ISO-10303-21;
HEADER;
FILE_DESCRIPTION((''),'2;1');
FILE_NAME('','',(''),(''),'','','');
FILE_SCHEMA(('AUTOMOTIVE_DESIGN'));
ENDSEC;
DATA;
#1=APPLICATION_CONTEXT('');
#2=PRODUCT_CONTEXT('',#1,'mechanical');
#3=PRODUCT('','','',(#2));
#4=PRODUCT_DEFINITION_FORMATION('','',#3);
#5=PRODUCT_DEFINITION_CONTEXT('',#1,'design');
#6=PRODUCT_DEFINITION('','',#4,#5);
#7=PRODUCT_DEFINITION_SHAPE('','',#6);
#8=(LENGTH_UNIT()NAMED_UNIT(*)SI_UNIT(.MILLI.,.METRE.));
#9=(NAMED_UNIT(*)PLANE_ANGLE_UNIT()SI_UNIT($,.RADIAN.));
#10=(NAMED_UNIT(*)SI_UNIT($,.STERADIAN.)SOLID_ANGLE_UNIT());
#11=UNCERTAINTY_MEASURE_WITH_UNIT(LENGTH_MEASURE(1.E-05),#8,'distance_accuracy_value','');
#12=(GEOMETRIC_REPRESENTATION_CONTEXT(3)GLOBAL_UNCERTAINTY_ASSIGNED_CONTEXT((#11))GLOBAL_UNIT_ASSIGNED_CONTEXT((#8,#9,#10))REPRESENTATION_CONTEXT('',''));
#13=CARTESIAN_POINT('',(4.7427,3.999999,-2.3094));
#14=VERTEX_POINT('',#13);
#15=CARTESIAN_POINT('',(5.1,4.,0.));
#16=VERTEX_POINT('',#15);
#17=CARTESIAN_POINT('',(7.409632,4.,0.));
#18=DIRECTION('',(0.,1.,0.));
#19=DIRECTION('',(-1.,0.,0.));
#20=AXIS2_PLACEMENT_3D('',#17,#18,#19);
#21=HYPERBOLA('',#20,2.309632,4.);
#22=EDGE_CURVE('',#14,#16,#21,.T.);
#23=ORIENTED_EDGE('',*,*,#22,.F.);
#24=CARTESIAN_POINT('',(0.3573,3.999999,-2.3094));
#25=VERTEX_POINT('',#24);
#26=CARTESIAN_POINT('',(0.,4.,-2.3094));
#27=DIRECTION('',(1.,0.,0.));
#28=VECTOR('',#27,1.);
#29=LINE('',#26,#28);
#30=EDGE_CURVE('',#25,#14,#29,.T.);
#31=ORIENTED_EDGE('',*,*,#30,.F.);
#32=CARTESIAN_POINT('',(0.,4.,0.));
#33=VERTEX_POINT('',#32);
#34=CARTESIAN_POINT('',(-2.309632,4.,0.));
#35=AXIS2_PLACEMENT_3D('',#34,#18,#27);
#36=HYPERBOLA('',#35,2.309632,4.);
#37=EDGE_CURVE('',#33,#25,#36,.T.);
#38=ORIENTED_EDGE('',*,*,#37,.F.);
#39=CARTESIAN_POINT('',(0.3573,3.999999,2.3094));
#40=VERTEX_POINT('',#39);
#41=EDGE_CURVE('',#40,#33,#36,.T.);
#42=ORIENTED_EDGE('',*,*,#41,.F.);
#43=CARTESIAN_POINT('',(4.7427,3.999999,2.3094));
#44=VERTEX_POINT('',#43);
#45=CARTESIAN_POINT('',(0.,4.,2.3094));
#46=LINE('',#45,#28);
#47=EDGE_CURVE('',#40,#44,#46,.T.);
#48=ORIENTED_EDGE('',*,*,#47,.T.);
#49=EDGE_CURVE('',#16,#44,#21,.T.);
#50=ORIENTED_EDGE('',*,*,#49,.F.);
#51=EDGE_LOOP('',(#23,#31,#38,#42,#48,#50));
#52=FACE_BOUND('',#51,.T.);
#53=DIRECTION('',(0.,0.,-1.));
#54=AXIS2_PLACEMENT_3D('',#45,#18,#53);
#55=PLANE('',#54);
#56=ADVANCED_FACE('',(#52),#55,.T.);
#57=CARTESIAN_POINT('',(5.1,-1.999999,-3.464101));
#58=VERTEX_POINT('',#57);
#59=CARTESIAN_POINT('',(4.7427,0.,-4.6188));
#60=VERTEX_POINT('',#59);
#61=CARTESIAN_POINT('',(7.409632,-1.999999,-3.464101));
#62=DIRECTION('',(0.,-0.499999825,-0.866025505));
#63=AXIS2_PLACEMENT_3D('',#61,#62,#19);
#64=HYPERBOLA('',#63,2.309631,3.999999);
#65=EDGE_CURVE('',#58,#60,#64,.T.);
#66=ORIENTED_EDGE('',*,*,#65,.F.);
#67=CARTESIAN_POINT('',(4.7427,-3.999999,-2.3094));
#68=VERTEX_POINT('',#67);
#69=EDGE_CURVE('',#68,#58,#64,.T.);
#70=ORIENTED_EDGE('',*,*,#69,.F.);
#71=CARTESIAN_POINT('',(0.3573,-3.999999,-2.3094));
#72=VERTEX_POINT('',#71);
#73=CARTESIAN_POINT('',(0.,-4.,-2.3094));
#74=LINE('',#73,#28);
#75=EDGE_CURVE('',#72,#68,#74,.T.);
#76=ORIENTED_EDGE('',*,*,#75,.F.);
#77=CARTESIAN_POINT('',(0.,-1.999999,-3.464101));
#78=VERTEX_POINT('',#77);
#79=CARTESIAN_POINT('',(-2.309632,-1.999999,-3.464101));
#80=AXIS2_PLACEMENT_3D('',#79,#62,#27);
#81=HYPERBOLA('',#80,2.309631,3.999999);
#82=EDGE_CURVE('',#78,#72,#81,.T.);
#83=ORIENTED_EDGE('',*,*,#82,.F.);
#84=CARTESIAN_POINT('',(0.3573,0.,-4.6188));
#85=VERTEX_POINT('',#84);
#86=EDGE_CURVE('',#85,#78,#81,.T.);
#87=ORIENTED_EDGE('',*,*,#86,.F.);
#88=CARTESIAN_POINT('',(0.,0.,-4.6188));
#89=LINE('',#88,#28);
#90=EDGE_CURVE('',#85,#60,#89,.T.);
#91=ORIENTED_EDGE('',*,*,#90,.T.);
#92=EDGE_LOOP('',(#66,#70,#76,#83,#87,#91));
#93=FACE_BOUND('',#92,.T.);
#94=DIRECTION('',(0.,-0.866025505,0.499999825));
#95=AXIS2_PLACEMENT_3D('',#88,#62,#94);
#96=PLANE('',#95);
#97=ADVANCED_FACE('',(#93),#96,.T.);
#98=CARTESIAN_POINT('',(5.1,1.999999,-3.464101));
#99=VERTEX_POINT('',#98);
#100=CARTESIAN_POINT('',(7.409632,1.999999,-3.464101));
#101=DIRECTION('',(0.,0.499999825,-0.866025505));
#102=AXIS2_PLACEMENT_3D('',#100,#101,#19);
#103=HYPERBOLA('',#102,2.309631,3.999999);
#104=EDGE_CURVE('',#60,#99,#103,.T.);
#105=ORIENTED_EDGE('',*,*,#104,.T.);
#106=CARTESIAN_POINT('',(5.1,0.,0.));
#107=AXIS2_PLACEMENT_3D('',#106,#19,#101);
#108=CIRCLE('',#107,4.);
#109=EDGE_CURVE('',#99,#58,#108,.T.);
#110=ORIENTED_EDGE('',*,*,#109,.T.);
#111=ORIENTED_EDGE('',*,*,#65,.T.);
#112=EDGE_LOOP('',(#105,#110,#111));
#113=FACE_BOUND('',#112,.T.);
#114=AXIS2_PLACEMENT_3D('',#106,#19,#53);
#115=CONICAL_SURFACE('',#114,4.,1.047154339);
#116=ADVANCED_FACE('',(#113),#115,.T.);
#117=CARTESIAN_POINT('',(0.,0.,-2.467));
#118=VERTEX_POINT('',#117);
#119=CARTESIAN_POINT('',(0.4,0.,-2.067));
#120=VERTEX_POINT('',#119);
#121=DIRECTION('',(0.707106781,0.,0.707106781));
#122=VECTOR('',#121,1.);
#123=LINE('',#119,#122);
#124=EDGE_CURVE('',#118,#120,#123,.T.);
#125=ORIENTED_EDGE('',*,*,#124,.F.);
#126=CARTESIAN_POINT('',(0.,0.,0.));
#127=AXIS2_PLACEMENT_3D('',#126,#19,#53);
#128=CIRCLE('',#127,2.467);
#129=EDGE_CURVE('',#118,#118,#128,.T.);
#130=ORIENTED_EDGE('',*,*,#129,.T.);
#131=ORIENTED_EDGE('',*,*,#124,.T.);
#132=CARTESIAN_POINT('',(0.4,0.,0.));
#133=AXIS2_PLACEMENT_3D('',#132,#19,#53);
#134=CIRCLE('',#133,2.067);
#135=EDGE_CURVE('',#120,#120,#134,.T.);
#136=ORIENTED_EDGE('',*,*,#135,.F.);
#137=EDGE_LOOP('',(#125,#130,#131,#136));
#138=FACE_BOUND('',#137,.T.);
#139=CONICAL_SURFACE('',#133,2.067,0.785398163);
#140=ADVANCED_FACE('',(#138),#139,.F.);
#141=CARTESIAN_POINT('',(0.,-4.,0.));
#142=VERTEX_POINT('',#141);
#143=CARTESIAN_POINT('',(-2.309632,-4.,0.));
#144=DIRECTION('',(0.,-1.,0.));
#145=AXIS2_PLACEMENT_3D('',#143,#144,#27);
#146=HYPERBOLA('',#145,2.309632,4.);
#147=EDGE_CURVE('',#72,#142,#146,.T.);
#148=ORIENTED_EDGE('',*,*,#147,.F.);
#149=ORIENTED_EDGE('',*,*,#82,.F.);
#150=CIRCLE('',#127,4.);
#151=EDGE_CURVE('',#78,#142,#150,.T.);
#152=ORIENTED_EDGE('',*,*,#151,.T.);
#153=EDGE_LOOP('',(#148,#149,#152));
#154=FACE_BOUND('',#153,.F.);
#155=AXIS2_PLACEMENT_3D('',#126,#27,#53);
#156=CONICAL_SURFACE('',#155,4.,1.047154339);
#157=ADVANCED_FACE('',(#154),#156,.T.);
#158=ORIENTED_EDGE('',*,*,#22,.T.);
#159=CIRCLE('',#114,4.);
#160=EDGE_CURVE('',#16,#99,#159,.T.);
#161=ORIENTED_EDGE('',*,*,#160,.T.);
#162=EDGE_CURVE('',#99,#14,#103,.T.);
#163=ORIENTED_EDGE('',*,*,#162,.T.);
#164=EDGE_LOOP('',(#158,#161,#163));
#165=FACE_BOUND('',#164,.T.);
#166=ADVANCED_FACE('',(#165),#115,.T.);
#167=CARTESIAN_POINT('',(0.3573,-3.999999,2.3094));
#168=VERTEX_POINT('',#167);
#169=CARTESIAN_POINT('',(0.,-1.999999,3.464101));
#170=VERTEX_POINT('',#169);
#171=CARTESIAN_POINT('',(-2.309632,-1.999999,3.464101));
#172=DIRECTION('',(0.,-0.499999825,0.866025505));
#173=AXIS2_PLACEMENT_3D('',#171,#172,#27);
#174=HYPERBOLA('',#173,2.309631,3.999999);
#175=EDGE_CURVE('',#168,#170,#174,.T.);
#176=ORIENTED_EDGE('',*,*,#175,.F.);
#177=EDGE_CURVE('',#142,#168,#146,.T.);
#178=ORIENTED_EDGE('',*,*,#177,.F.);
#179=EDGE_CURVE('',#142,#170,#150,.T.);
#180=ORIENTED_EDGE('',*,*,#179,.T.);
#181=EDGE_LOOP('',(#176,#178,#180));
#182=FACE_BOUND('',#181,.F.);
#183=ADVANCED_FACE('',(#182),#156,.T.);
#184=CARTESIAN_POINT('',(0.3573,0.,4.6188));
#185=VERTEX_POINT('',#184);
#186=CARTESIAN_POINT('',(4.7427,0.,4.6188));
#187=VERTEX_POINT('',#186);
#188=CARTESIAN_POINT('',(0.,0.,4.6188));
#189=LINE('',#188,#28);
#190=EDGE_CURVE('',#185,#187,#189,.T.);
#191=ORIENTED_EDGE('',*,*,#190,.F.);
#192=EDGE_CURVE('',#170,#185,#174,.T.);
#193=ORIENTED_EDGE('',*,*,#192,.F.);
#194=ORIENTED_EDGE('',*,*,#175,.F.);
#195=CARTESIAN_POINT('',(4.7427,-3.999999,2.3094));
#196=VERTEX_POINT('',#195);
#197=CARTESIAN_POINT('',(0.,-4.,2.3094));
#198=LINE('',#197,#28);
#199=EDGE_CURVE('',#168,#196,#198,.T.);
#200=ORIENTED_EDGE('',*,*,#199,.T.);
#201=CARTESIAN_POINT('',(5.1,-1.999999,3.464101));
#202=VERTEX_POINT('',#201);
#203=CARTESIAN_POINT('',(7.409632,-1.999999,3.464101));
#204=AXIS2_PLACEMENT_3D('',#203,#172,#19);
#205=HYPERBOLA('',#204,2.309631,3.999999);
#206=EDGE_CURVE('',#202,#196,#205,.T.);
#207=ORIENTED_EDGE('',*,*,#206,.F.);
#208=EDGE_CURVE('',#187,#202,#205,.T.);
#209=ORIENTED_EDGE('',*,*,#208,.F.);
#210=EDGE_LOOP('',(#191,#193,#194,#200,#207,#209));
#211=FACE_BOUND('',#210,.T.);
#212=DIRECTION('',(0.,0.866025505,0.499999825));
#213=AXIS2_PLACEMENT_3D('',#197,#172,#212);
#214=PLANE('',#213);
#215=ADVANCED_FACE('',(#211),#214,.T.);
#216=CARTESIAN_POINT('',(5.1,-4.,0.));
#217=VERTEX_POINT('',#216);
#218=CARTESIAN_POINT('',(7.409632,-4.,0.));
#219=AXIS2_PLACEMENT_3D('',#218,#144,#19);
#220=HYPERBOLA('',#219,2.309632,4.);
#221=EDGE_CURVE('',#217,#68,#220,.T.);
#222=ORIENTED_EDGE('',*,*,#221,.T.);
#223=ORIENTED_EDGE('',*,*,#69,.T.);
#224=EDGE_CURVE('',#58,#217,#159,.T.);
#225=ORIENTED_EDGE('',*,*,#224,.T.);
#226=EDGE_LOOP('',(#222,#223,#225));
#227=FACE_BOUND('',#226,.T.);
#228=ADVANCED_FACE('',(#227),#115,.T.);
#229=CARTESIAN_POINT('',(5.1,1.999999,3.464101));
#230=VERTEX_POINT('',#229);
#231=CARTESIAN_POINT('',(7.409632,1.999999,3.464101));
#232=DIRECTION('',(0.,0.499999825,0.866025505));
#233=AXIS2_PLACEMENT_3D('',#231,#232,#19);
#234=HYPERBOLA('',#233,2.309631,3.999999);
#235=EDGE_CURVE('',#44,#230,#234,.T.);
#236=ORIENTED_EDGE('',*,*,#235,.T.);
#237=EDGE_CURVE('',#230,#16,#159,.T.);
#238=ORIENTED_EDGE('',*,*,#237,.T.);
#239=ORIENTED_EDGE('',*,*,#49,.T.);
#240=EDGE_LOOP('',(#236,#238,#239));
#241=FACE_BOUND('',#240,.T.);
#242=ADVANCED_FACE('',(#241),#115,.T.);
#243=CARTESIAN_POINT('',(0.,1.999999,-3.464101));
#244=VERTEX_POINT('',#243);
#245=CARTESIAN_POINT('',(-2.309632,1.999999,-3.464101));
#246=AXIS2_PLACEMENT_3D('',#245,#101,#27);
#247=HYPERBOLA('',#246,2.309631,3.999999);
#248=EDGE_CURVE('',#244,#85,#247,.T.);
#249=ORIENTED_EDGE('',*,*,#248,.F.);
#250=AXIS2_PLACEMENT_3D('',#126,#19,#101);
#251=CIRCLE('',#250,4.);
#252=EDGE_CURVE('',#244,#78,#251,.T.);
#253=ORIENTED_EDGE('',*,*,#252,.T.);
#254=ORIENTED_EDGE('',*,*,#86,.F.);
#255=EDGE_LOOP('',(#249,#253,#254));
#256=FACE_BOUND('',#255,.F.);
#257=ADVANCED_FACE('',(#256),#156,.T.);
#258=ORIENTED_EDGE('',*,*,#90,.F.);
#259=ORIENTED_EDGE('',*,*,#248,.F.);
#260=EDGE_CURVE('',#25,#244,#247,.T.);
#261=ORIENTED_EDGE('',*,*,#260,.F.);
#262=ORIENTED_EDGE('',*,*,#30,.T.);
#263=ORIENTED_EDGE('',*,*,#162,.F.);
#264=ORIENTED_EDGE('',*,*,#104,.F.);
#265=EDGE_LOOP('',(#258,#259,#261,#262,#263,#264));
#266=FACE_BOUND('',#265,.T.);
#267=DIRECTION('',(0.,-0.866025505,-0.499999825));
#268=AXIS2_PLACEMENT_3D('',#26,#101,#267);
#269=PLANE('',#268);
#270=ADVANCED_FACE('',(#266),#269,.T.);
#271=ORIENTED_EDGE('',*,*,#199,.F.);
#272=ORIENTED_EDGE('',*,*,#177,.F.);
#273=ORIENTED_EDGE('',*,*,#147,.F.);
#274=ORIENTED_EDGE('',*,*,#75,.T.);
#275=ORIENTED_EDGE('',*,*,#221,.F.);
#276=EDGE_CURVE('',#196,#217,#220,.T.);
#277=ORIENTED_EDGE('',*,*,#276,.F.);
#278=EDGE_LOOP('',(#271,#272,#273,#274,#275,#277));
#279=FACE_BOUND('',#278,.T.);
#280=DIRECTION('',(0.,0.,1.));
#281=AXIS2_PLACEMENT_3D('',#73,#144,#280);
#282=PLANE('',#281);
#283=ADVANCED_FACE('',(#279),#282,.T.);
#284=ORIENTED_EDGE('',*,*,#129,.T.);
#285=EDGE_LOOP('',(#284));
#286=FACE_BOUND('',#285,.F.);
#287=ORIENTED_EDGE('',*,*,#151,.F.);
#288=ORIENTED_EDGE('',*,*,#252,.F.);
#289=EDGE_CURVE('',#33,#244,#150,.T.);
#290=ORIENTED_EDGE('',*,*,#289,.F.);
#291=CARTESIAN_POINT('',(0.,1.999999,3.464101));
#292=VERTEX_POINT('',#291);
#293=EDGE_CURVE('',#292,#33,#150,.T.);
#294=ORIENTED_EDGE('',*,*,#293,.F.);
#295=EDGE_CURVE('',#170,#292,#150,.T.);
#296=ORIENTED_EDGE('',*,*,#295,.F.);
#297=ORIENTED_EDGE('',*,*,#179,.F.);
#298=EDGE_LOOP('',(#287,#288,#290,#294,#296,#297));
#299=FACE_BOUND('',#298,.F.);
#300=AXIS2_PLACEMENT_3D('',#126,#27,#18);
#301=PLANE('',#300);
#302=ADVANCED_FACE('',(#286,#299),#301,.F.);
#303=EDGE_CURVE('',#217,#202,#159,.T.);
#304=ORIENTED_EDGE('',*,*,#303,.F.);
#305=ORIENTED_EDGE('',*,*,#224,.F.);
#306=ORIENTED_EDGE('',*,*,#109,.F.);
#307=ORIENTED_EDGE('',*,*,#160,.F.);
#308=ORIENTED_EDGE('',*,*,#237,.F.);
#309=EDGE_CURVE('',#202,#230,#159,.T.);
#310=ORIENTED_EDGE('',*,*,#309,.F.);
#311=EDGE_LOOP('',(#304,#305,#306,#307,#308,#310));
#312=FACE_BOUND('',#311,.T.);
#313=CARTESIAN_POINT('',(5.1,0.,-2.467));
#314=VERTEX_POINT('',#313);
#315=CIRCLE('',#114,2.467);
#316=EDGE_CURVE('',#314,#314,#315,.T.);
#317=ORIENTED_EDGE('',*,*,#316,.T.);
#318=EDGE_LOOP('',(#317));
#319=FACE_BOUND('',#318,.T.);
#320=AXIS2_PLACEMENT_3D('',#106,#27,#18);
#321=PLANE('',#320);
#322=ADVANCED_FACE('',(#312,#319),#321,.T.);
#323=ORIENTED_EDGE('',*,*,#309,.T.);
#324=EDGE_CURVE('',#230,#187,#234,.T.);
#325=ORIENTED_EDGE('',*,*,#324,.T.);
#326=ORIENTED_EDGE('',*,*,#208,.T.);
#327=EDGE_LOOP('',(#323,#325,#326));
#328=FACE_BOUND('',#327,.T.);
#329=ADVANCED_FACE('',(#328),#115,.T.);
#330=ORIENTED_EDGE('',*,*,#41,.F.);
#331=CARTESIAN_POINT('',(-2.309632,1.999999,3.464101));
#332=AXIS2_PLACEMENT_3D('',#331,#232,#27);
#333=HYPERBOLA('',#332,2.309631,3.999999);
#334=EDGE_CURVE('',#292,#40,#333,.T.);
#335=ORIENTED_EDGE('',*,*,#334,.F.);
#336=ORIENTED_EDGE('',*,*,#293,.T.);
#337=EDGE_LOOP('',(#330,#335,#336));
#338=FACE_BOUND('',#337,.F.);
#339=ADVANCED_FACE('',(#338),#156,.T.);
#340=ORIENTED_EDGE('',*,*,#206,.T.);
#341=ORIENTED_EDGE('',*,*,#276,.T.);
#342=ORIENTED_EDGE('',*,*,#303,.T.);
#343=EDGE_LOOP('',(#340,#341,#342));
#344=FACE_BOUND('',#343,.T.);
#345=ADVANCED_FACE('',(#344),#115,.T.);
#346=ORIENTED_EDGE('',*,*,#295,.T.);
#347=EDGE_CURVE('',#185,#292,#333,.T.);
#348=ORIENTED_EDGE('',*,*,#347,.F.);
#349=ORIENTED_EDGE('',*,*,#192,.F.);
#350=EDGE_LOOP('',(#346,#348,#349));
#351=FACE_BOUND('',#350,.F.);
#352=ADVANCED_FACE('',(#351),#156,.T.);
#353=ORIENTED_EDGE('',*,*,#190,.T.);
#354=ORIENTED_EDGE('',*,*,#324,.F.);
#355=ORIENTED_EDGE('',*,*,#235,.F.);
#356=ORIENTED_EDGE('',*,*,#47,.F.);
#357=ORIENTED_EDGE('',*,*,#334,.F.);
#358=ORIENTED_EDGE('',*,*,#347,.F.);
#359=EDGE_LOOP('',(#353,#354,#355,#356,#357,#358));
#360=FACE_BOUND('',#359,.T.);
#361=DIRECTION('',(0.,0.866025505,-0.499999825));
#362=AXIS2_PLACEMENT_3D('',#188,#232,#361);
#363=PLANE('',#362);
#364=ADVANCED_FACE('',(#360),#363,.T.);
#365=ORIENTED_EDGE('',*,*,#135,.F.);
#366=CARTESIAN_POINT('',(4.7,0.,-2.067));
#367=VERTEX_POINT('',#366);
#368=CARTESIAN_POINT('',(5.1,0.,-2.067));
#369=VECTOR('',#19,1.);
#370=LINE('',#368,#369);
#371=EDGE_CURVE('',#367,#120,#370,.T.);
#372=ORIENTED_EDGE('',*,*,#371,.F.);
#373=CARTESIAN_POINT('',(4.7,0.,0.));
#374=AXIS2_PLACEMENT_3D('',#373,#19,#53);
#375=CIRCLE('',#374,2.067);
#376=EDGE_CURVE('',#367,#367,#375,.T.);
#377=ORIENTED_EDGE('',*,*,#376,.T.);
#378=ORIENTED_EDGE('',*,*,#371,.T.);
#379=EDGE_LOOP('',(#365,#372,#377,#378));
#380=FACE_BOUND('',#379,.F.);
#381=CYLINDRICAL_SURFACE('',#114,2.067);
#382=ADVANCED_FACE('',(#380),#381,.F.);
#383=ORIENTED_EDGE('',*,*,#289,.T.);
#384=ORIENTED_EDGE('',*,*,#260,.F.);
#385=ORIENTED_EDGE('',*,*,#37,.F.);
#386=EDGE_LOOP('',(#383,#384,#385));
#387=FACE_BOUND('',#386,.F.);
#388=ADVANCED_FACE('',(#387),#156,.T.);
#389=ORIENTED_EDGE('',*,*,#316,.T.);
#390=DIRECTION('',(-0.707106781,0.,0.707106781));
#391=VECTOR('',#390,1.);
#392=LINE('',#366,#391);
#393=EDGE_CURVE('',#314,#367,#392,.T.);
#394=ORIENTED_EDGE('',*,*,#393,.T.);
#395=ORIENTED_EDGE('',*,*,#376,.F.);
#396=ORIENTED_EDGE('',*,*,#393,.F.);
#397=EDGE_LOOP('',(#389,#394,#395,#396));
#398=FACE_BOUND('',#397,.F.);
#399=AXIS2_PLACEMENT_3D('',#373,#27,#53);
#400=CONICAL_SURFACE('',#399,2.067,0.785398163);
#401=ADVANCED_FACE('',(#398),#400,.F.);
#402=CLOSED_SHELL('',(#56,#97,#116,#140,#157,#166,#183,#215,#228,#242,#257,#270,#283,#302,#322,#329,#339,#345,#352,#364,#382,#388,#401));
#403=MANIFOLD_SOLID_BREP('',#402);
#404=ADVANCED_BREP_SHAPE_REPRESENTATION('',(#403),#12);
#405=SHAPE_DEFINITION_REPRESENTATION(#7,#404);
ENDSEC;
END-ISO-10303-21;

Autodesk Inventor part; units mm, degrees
sketch "Sketch1" plane through (0, 0, 0) normal (1, 0, 0) x (0, 1, 0)
  line L0 (4, 2.3094) -> (4, -2.3094)
  line L1 (4, -2.3094) -> (0, -4.6188)
  line L2 (0, -4.6188) -> (-4, -2.3094)
  line L3 (-4, -2.3094) -> (-4, 2.3094)
  line L4 (-4, 2.3094) -> (0, 4.6188)
  line L5 (0, 4.6188) -> (4, 2.3094)
  circle A0 centre (0, 0) radius 4 construction
  dimension "d0" = 8
extrude "Extrusion1" add sketch "Sketch1" along normal blind 5.1
sketch "Sketch2" plane through (5.1, 0, 0) normal (1, 0, 0) x (0, 1, 0)
  line L0 (-4, 2.3094) -> (0, 4.6188) projected
  line L1 (0, -4.6188) -> (-4, -2.3094) projected
  line L2 (-4, 2.3094) -> (4, -2.3094) construction
  line L3 (-4, -2.3094) -> (4, 2.3094) construction
  point P0 (0, 0)
hole "Hole1" at (5.1, 0, 0) direction (-1, 0, 0) diameter 4.134 end through all thread size "M5x0.8" class "6H" standard "ISO Metric profile"
chamfer "Chamfer1" distance 0.4 angle 45 2 edges at (5.1, 0, 2.067) (0, 0, 2.067)
sketch "Sketch3" plane through (0, 0, 0) normal (0, 1, 0) x (-1, 0, 0)
  line L0 (-7.0172, 0) -> (2.1698, 0) projected
  line L1 (-5.7048, 0) -> (0.8574, 0)
  line L2 (-5.1, 0) -> (-5.1, -4.6188)
  line L3 (-5.1, -4.6188) -> (0, -4.6188)
  line L4 (0, -4.6188) -> (0, 0)
  line L5 (-5.1, -2.3094) -> (-5.1, -4.6188) projected
  line L6 (0, -2.3094) -> (0, -4.6188) projected
  line L7 (0, -4.6188) -> (-5.1, -4.6188) projected
  line L8 (-5.1, -4) -> (-4.7427, -4.6188)
  line L9 (-5.1, -4.6188) -> (-5.1, -4)
  line L10 (-5.1, -4.6188) -> (-4.7427, -4.6188)
  line L11 (0, -4) -> (-0.3573, -4.6188)
  line L12 (-0.3573, -4.6188) -> (0, -4.6188)
  line L13 (0, -4.6188) -> (0, -4)
  dimension "d32" = 4
  dimension "d33" = 30
revolve "Revolution1" cut sketch "Sketch3" angle 360 about axis through (0, 0, 0) along (-1, 0, 0) contours L8 L3 L2 | L4 L3 L11
ref_plane "MSC_PT1" through (5.1, 0, 0) normal (1, 0, 0) x (0, 1, 0)
ref_plane "MSC_PT2" through (0, 0, 0) normal (-1, 0, 0) x (0, -1, 0)
ref_plane "MSC_PF1" through (0, 0, 0) normal (1, 0, 0) x (0, 1, 0)
equation "\"d0\" = Smax"
equation "\"d1\" = Mmax"
equation "\"d10\" = 0.5 * PTC"
equation "\"d32\" = 0.5 * Smax"
equation "\"NND\" = 5"
equation "\"Smax\" = 8"
equation "\"Mmax\" = 5.1"
equation "\"PTC\" = 0.8"
equation "\"THREADDIA\" = NND"
equation "\"TEMPLATE\" = 1.2345"
properties part number "ANSI B18.2.4.2M - M5x0.8" material "Steel, Mild"
